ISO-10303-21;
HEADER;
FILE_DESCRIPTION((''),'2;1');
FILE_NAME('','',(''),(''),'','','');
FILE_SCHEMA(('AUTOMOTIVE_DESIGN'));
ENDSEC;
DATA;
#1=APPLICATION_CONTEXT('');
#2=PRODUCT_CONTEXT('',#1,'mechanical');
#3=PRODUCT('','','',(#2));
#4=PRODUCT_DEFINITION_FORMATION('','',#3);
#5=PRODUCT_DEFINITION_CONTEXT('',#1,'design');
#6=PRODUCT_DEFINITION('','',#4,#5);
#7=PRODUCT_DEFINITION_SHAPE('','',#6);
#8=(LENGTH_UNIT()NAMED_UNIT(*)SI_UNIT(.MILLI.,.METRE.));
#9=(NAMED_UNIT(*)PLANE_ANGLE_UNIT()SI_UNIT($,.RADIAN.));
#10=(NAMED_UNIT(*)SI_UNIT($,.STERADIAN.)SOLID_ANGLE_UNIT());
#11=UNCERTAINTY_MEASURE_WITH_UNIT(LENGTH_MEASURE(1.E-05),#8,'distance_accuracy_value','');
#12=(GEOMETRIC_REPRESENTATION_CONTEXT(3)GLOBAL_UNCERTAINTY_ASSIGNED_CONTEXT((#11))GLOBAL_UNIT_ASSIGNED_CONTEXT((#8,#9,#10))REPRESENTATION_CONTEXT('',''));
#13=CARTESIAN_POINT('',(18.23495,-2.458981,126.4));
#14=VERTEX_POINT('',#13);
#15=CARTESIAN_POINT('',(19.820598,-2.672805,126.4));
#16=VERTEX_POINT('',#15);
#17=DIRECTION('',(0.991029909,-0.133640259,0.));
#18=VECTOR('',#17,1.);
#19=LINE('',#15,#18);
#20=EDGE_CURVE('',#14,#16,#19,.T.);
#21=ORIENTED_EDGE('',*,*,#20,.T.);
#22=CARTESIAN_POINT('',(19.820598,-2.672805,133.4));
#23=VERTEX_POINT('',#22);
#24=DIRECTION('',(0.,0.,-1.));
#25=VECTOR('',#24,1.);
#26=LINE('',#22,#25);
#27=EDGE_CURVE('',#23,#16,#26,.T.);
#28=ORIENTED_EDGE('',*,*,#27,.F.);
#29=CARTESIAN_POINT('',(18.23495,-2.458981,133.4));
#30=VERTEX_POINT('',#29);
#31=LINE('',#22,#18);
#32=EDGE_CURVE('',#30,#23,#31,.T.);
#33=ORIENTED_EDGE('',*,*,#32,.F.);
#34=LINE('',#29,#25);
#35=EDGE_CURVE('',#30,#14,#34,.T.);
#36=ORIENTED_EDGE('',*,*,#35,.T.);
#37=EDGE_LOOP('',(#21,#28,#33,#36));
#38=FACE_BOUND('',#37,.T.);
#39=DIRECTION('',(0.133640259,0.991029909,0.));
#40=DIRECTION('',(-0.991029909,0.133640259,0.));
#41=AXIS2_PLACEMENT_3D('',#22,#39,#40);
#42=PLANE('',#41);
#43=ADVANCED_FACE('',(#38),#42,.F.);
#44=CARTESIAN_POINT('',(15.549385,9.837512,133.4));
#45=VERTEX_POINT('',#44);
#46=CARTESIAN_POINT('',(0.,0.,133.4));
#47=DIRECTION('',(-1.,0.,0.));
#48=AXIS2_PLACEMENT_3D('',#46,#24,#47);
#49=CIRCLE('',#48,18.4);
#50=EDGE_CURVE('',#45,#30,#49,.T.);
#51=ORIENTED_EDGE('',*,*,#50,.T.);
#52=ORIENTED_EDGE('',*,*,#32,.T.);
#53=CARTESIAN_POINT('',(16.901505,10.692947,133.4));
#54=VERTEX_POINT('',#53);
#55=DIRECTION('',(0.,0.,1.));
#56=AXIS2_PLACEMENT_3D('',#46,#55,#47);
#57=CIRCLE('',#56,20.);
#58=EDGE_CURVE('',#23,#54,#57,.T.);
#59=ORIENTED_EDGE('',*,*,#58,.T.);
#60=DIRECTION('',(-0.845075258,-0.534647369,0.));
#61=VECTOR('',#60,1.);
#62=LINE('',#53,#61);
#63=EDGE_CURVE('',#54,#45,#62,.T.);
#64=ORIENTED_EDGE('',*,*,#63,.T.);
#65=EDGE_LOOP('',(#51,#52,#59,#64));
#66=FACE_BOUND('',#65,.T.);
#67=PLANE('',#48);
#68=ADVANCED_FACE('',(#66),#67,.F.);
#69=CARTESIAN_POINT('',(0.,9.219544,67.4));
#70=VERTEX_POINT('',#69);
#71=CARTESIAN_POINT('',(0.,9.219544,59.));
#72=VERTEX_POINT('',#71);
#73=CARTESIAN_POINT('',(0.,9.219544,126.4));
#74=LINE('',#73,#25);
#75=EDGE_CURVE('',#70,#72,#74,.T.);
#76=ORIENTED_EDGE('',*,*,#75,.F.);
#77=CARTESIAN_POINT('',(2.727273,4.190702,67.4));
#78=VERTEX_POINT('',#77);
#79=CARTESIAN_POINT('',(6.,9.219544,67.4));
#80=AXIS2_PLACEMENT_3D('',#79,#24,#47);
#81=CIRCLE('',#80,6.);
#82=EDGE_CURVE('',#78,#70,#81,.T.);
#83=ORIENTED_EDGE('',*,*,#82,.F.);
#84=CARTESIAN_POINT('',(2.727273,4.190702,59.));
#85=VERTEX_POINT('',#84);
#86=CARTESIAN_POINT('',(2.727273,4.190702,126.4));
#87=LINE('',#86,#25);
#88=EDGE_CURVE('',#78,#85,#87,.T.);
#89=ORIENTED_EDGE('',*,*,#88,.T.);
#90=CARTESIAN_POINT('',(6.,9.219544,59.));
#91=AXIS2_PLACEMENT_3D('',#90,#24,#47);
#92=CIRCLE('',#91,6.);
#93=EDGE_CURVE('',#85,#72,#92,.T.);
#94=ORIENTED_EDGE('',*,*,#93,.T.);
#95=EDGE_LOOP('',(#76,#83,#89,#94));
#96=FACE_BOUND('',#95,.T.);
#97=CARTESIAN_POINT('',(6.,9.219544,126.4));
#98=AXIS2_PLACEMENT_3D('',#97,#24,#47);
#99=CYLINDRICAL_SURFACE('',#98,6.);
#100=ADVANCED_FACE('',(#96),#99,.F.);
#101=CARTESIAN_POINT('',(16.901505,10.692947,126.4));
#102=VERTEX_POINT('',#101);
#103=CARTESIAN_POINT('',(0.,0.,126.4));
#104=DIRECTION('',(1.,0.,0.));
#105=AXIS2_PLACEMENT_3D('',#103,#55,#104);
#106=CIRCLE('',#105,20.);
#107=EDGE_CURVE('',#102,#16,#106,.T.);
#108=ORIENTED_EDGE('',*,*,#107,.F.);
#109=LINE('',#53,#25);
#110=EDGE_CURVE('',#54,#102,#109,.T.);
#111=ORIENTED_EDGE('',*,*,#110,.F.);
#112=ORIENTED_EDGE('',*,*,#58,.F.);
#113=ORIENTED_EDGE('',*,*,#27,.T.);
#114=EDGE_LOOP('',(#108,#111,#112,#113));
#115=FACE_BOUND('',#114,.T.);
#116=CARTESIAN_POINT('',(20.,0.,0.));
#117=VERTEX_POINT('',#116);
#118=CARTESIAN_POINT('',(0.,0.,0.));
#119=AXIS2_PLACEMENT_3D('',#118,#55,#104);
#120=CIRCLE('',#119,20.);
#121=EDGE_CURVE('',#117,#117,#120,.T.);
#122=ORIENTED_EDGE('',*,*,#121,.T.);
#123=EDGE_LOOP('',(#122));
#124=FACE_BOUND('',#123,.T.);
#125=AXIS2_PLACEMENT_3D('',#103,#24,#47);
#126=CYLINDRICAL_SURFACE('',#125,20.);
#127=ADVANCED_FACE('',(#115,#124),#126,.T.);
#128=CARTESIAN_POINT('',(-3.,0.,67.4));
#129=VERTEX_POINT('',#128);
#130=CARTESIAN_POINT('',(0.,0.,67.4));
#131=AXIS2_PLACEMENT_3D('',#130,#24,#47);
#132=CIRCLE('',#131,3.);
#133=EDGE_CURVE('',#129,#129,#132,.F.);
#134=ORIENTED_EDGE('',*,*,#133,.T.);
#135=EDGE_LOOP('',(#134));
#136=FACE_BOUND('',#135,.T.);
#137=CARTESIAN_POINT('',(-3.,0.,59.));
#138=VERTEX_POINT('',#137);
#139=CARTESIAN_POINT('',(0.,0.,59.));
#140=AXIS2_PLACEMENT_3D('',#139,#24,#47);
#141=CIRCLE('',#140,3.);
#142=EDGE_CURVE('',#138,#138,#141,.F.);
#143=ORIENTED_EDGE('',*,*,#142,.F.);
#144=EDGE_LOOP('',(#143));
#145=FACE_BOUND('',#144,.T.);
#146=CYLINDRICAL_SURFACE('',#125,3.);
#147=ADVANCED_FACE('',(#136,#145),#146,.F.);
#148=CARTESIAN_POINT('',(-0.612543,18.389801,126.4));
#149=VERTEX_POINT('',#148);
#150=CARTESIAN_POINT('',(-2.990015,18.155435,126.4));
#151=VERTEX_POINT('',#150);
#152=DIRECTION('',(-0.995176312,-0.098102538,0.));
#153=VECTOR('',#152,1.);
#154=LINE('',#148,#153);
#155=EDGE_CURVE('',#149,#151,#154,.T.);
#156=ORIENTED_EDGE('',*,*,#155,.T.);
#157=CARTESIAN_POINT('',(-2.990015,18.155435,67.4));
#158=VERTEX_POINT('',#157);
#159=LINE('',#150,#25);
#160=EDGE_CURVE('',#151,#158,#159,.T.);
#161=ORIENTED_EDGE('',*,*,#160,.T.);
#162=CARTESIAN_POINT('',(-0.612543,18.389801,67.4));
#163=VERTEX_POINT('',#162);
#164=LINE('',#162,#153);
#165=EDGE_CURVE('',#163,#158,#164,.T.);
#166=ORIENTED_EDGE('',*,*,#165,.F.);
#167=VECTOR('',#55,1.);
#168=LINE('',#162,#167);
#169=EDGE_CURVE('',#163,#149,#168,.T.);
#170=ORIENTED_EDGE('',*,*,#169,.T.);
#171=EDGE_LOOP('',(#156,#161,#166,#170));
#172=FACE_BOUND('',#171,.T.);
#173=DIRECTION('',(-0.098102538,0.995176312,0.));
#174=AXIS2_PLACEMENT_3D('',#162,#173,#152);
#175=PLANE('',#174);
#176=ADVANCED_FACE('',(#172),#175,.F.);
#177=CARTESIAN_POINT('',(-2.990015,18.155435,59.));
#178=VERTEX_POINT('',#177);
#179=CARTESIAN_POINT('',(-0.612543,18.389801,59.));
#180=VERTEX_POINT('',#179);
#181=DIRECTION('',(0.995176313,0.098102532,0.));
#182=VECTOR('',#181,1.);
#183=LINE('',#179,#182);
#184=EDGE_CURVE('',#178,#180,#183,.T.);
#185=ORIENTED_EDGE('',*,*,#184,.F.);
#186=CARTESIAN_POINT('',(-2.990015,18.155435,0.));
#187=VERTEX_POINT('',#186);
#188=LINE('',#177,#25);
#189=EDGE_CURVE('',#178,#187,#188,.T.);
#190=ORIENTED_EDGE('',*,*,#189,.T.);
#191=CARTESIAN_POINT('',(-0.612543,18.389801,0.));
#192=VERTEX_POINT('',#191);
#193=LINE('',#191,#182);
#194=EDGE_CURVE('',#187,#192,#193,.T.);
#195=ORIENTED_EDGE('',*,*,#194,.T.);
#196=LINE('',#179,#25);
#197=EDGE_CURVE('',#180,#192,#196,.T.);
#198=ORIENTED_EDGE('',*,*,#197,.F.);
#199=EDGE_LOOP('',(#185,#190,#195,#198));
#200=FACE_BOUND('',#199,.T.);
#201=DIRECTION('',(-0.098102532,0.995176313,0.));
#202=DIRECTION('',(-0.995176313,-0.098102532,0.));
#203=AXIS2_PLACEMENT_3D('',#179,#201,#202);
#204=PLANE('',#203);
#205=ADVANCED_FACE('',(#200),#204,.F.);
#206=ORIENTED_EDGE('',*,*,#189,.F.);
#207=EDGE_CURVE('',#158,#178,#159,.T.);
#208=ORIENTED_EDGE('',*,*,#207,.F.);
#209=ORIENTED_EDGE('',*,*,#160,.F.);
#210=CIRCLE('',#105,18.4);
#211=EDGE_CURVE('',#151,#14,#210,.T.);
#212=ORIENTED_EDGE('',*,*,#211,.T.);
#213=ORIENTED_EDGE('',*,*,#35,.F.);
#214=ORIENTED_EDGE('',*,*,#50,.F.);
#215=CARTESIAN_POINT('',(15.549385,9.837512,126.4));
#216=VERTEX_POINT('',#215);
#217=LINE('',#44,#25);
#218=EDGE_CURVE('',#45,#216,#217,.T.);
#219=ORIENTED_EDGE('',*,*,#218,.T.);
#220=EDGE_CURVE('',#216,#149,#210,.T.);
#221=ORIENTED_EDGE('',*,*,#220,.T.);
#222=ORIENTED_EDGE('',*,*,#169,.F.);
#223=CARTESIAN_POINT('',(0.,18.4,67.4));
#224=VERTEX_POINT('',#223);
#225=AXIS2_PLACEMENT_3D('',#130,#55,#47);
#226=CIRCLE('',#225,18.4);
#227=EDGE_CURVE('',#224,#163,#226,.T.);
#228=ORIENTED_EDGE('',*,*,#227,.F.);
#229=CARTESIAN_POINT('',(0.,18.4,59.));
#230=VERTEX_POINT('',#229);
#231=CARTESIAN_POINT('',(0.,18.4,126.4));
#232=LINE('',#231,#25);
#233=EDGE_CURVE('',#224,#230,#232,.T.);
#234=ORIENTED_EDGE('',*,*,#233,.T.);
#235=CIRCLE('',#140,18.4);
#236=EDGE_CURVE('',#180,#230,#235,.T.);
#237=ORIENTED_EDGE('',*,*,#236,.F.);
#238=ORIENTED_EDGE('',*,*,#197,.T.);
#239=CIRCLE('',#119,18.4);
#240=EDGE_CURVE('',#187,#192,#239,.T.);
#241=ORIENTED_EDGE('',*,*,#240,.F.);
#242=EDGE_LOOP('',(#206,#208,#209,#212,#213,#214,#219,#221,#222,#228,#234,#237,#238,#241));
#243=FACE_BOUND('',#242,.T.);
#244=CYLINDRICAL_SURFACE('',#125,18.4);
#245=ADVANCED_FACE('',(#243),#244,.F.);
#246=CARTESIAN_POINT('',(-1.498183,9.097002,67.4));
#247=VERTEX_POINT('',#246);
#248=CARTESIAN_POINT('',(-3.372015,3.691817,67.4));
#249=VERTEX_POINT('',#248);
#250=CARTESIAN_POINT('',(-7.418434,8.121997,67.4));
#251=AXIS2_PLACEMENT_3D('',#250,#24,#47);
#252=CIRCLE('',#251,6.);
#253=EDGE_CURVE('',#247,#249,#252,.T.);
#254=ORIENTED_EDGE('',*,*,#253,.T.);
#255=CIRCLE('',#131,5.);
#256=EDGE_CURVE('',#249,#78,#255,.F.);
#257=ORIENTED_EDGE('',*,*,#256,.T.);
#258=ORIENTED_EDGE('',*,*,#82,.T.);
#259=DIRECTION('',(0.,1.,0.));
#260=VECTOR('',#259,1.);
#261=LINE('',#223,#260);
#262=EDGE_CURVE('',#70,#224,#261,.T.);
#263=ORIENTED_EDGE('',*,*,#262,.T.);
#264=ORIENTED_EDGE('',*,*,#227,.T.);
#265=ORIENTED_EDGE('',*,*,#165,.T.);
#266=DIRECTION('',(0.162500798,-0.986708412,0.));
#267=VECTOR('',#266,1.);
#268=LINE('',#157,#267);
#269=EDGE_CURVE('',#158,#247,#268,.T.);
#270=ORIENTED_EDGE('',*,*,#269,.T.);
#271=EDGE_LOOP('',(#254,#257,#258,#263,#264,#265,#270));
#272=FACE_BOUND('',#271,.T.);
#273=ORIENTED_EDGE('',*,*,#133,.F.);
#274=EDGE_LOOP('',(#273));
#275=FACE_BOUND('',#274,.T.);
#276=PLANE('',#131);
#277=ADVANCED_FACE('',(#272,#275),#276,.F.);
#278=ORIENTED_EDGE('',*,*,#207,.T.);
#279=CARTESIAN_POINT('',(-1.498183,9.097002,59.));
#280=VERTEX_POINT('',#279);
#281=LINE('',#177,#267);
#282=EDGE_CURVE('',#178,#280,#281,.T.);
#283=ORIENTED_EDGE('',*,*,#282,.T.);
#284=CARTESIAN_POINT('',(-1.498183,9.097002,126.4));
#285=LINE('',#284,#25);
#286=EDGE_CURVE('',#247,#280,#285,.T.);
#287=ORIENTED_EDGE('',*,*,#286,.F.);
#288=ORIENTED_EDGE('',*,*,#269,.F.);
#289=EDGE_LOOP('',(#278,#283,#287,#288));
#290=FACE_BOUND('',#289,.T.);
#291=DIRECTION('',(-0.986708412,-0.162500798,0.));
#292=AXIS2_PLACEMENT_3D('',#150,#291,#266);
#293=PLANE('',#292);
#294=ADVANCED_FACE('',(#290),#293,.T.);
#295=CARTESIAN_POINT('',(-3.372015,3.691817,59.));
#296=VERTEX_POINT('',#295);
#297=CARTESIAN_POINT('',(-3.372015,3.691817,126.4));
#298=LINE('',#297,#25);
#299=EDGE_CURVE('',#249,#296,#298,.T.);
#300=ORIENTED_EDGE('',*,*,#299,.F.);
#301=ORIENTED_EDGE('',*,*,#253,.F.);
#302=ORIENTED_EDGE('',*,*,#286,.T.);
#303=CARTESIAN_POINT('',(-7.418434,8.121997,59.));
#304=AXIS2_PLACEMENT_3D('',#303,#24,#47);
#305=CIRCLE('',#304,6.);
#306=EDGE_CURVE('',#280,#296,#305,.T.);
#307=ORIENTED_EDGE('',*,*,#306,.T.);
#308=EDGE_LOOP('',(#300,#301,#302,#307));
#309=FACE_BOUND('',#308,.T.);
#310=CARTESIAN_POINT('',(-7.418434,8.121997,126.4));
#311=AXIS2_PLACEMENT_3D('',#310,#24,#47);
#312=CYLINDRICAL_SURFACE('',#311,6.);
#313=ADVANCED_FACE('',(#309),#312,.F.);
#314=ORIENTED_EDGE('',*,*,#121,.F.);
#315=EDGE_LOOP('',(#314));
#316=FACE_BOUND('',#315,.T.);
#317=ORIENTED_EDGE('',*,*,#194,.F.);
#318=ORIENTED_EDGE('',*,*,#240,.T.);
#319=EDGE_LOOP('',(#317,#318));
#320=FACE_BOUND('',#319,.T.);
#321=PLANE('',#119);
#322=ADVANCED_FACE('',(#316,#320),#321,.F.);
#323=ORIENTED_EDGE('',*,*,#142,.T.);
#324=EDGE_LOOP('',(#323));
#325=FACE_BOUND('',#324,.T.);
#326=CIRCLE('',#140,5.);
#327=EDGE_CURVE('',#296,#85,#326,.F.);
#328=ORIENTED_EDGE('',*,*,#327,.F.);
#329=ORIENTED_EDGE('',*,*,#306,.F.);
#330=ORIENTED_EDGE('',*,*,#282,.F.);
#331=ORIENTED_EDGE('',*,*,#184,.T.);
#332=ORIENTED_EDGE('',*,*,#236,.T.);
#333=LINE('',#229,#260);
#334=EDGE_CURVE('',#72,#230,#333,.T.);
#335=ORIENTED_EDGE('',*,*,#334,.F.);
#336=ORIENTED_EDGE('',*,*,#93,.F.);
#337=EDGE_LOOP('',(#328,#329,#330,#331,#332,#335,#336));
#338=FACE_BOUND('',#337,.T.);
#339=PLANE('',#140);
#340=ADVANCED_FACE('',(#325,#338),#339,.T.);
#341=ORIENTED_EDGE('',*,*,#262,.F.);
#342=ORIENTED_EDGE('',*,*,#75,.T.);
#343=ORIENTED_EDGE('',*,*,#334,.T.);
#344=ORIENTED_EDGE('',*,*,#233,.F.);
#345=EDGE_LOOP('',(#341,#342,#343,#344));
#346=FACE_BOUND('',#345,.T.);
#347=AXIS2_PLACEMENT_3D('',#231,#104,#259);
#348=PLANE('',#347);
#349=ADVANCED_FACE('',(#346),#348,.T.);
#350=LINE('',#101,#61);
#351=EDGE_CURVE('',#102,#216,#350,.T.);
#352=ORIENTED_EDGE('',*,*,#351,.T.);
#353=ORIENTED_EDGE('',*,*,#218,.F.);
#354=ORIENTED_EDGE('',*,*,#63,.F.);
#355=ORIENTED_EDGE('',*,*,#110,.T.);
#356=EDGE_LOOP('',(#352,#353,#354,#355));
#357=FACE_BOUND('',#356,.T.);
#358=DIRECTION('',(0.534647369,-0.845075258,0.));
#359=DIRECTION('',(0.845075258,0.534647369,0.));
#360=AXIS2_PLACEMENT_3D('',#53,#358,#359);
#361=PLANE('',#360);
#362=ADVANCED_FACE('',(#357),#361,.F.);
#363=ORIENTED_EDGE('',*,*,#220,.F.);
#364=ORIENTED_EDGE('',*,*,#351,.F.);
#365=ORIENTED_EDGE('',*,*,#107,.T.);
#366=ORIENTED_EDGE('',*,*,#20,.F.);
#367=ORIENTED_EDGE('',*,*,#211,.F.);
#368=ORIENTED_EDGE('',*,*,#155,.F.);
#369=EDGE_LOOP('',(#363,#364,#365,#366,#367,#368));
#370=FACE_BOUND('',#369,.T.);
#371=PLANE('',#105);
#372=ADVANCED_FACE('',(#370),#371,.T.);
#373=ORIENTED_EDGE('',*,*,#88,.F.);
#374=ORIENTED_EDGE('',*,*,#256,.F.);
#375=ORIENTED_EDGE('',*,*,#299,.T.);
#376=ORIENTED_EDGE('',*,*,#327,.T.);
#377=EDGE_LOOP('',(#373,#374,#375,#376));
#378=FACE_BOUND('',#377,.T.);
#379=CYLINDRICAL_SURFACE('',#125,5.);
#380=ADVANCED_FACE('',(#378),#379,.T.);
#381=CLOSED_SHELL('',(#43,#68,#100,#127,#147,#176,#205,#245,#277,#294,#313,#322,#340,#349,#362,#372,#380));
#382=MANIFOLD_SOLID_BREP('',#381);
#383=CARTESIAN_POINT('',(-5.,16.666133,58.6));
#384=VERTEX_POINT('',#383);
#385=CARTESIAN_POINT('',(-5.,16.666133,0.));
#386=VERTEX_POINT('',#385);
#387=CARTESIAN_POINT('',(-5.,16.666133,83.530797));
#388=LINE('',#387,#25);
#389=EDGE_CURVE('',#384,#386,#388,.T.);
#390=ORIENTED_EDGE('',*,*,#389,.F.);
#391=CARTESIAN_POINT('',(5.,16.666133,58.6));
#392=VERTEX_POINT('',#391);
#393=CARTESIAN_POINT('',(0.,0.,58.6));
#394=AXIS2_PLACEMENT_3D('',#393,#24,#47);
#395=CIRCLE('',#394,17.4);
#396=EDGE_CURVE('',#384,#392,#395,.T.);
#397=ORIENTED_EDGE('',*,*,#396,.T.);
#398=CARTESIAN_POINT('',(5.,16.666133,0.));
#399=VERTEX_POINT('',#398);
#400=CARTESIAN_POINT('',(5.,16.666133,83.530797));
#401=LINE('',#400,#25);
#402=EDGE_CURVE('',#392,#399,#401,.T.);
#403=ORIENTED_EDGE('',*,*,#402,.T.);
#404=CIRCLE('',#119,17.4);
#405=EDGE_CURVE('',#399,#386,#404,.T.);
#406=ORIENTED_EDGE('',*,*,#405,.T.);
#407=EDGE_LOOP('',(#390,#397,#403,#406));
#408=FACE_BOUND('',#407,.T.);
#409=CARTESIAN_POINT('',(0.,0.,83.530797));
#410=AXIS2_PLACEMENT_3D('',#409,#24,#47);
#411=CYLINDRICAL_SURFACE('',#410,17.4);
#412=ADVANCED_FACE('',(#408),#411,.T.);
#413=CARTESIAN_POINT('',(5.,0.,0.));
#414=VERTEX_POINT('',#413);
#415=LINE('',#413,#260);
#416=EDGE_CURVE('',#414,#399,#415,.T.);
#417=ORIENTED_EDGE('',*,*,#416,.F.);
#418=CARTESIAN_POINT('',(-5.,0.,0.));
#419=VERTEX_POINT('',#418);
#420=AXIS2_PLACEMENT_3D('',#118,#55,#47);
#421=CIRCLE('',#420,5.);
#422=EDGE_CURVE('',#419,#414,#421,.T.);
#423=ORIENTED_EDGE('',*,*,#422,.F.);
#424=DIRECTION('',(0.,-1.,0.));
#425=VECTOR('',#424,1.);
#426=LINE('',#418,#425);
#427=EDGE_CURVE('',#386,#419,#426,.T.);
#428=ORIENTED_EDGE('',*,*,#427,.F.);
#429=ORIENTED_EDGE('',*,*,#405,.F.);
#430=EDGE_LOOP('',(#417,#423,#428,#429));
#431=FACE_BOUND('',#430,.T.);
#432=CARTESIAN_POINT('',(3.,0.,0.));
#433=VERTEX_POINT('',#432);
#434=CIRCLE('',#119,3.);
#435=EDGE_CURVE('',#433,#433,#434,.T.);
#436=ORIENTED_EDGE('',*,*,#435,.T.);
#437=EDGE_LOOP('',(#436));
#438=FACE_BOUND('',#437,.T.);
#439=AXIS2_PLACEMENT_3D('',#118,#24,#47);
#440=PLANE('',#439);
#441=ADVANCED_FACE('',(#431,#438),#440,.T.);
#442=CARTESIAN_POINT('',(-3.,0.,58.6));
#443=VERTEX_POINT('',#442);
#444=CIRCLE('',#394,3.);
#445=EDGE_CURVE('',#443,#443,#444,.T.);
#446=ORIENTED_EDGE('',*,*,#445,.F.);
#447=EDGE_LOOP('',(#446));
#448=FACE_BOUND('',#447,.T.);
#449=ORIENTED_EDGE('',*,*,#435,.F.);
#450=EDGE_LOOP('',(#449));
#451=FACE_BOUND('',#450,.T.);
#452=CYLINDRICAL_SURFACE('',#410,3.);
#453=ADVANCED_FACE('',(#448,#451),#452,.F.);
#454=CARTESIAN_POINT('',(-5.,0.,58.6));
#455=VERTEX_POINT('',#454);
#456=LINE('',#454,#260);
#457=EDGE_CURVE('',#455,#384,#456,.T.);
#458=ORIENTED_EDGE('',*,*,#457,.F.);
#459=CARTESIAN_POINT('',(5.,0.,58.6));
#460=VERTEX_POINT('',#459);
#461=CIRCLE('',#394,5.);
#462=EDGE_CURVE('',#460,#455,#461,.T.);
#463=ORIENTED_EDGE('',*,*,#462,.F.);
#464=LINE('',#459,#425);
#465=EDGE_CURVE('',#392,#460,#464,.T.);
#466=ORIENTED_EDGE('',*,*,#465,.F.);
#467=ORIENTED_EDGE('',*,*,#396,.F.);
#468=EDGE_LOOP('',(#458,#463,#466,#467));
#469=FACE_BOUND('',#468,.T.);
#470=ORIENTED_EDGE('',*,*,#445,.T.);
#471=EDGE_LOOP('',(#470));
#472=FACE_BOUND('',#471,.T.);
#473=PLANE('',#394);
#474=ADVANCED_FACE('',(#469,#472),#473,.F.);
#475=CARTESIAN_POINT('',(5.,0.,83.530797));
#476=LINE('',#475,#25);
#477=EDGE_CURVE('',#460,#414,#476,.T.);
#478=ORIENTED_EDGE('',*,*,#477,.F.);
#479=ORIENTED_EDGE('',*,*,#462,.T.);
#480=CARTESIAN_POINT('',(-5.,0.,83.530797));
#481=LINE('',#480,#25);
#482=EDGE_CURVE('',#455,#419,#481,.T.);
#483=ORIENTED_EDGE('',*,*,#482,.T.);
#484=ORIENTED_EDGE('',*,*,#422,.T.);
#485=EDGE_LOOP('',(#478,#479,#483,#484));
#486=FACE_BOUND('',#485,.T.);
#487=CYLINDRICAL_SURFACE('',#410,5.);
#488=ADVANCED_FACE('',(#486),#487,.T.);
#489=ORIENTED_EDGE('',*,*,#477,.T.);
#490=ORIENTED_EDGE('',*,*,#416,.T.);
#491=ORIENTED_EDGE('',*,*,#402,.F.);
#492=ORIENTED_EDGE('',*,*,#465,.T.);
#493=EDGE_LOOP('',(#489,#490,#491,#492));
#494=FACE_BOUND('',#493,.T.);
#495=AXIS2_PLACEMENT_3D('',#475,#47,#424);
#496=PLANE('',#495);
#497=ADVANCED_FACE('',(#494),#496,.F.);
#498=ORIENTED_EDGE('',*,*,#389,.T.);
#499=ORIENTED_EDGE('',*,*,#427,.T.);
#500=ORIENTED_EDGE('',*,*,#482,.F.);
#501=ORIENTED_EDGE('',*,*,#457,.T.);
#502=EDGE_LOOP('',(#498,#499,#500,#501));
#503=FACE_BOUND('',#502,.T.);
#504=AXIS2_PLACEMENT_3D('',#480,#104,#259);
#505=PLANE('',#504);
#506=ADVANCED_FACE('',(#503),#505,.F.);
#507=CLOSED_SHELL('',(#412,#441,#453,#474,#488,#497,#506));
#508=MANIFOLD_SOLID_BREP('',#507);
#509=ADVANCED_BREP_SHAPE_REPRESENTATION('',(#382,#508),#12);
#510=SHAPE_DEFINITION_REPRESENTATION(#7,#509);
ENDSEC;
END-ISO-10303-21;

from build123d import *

# Parameters (mm, degrees)
SKETCH_2_R          = 20
SKETCH_2_R_2        = 18.4
EXTRUDE_1_DEPTH     = 126.4
SKETCH_5_R          = 3
EXTRUDE_3_DEPTH     = 126.4
CUT_EXTRUDE1_DEPTH  = 59
CUT_EXTRUDE2_DEPTH  = 59
BOSS_EXTRUDE4_DEPTH = 7
SKETCH3_R           = 3
BOSS_EXTRUDE6_DEPTH = 58.6


with BuildPart() as part:
    # Эскиз2 → Бобышка-Вытянуть1 (new body)
    with BuildSketch(Plane.XY):
        Circle(SKETCH_2_R)
        Circle(SKETCH_2_R_2, mode=Mode.SUBTRACT)
    extrude(amount=EXTRUDE_1_DEPTH)

    # Эскиз5 → Бобышка-Вытянуть3 (add, through all)
    with BuildSketch(Plane(origin=(0, 0, 0), x_dir=(-1, 0, 0), z_dir=(0, 0, -1))):
        with BuildLine():
            Line((0, 18.4), (0, 9.219544457))
            ThreePointArc((0, 9.219544457), (-0.725705562, 6.35915669), (-2.727272727, 4.190702026))
            ThreePointArc((-2.727272727, 4.190702026), (-0.407608696, -4.983357819), (3.372015367, 3.691816946))
            ThreePointArc((3.372015367, 3.691816946), (1.749427822, 6.156705666), (1.498183336, 9.097002072))
            Line((1.498183336, 9.097002072), (2.990014691, 18.155434783))
            ThreePointArc((2.990014691, 18.155434783), (1.5, 18.338756774), (0, 18.4))
        make_face()
        Circle(SKETCH_5_R, mode=Mode.SUBTRACT)
    extrude(amount=-EXTRUDE_3_DEPTH)

    # Sketch1 → Cut-Extrude1 (cut)
    with BuildSketch(Plane(origin=(0, 0, 0), x_dir=(-1, 0, 0), z_dir=(0, 0, -1))):
        with BuildLine():
            Line((0.612543111, 18.389801275), (2.990014691, 18.155434783))
            ThreePointArc((2.990014691, 18.155434783), (-1.805086589, -18.311244152), (0.612543111, 18.389801275))
        make_face()
    extrude(amount=-CUT_EXTRUDE1_DEPTH, mode=Mode.SUBTRACT)

    # Sketch2 → Cut-Extrude2 (cut)
    with BuildSketch(Plane.XY.offset(126.4)):
        with BuildLine():
            Line((-0.612543316, 18.389801268), (-2.990014691, 18.155434783))
            ThreePointArc((-2.990014691, 18.155434783), (1.805086691, -18.311244142), (-0.612543316, 18.389801268))
        make_face()
    extrude(amount=-CUT_EXTRUDE2_DEPTH, mode=Mode.SUBTRACT)

    # Sketch6 → Boss-Extrude4 (add)
    with BuildSketch(Plane.XY.offset(126.4)):
        with BuildLine():
            Line((16.901505151, 10.692947377), (15.549384739, 9.837511587))
            ThreePointArc((15.549384739, 9.837511587), (17.97626922, 3.926034248), (18.234950332, -2.458980763))
            Line((18.234950332, -2.458980763), (19.820598187, -2.672805177))
            ThreePointArc((19.820598187, -2.672805177), (19.539423066, 4.267428531), (16.901505151, 10.692947377))
        make_face()
    extrude(amount=BOSS_EXTRUDE4_DEPTH)


with BuildPart() as body_2:
    # Sketch3 → Boss-Extrude6 (new body)
    with BuildSketch(Plane.XY):
        with BuildLine():
            Line((5, 0), (5, 16.666133325))
            ThreePointArc((5, 16.666133325), (0, 17.4), (-5, 16.666133325))
            Line((-5, 16.666133325), (-5, 0))
            ThreePointArc((-5, 0), (0, -5), (5, 0))
        make_face()
        Circle(SKETCH3_R, mode=Mode.SUBTRACT)
    extrude(amount=BOSS_EXTRUDE6_DEPTH)


solid = Compound([part.part, body_2.part])
